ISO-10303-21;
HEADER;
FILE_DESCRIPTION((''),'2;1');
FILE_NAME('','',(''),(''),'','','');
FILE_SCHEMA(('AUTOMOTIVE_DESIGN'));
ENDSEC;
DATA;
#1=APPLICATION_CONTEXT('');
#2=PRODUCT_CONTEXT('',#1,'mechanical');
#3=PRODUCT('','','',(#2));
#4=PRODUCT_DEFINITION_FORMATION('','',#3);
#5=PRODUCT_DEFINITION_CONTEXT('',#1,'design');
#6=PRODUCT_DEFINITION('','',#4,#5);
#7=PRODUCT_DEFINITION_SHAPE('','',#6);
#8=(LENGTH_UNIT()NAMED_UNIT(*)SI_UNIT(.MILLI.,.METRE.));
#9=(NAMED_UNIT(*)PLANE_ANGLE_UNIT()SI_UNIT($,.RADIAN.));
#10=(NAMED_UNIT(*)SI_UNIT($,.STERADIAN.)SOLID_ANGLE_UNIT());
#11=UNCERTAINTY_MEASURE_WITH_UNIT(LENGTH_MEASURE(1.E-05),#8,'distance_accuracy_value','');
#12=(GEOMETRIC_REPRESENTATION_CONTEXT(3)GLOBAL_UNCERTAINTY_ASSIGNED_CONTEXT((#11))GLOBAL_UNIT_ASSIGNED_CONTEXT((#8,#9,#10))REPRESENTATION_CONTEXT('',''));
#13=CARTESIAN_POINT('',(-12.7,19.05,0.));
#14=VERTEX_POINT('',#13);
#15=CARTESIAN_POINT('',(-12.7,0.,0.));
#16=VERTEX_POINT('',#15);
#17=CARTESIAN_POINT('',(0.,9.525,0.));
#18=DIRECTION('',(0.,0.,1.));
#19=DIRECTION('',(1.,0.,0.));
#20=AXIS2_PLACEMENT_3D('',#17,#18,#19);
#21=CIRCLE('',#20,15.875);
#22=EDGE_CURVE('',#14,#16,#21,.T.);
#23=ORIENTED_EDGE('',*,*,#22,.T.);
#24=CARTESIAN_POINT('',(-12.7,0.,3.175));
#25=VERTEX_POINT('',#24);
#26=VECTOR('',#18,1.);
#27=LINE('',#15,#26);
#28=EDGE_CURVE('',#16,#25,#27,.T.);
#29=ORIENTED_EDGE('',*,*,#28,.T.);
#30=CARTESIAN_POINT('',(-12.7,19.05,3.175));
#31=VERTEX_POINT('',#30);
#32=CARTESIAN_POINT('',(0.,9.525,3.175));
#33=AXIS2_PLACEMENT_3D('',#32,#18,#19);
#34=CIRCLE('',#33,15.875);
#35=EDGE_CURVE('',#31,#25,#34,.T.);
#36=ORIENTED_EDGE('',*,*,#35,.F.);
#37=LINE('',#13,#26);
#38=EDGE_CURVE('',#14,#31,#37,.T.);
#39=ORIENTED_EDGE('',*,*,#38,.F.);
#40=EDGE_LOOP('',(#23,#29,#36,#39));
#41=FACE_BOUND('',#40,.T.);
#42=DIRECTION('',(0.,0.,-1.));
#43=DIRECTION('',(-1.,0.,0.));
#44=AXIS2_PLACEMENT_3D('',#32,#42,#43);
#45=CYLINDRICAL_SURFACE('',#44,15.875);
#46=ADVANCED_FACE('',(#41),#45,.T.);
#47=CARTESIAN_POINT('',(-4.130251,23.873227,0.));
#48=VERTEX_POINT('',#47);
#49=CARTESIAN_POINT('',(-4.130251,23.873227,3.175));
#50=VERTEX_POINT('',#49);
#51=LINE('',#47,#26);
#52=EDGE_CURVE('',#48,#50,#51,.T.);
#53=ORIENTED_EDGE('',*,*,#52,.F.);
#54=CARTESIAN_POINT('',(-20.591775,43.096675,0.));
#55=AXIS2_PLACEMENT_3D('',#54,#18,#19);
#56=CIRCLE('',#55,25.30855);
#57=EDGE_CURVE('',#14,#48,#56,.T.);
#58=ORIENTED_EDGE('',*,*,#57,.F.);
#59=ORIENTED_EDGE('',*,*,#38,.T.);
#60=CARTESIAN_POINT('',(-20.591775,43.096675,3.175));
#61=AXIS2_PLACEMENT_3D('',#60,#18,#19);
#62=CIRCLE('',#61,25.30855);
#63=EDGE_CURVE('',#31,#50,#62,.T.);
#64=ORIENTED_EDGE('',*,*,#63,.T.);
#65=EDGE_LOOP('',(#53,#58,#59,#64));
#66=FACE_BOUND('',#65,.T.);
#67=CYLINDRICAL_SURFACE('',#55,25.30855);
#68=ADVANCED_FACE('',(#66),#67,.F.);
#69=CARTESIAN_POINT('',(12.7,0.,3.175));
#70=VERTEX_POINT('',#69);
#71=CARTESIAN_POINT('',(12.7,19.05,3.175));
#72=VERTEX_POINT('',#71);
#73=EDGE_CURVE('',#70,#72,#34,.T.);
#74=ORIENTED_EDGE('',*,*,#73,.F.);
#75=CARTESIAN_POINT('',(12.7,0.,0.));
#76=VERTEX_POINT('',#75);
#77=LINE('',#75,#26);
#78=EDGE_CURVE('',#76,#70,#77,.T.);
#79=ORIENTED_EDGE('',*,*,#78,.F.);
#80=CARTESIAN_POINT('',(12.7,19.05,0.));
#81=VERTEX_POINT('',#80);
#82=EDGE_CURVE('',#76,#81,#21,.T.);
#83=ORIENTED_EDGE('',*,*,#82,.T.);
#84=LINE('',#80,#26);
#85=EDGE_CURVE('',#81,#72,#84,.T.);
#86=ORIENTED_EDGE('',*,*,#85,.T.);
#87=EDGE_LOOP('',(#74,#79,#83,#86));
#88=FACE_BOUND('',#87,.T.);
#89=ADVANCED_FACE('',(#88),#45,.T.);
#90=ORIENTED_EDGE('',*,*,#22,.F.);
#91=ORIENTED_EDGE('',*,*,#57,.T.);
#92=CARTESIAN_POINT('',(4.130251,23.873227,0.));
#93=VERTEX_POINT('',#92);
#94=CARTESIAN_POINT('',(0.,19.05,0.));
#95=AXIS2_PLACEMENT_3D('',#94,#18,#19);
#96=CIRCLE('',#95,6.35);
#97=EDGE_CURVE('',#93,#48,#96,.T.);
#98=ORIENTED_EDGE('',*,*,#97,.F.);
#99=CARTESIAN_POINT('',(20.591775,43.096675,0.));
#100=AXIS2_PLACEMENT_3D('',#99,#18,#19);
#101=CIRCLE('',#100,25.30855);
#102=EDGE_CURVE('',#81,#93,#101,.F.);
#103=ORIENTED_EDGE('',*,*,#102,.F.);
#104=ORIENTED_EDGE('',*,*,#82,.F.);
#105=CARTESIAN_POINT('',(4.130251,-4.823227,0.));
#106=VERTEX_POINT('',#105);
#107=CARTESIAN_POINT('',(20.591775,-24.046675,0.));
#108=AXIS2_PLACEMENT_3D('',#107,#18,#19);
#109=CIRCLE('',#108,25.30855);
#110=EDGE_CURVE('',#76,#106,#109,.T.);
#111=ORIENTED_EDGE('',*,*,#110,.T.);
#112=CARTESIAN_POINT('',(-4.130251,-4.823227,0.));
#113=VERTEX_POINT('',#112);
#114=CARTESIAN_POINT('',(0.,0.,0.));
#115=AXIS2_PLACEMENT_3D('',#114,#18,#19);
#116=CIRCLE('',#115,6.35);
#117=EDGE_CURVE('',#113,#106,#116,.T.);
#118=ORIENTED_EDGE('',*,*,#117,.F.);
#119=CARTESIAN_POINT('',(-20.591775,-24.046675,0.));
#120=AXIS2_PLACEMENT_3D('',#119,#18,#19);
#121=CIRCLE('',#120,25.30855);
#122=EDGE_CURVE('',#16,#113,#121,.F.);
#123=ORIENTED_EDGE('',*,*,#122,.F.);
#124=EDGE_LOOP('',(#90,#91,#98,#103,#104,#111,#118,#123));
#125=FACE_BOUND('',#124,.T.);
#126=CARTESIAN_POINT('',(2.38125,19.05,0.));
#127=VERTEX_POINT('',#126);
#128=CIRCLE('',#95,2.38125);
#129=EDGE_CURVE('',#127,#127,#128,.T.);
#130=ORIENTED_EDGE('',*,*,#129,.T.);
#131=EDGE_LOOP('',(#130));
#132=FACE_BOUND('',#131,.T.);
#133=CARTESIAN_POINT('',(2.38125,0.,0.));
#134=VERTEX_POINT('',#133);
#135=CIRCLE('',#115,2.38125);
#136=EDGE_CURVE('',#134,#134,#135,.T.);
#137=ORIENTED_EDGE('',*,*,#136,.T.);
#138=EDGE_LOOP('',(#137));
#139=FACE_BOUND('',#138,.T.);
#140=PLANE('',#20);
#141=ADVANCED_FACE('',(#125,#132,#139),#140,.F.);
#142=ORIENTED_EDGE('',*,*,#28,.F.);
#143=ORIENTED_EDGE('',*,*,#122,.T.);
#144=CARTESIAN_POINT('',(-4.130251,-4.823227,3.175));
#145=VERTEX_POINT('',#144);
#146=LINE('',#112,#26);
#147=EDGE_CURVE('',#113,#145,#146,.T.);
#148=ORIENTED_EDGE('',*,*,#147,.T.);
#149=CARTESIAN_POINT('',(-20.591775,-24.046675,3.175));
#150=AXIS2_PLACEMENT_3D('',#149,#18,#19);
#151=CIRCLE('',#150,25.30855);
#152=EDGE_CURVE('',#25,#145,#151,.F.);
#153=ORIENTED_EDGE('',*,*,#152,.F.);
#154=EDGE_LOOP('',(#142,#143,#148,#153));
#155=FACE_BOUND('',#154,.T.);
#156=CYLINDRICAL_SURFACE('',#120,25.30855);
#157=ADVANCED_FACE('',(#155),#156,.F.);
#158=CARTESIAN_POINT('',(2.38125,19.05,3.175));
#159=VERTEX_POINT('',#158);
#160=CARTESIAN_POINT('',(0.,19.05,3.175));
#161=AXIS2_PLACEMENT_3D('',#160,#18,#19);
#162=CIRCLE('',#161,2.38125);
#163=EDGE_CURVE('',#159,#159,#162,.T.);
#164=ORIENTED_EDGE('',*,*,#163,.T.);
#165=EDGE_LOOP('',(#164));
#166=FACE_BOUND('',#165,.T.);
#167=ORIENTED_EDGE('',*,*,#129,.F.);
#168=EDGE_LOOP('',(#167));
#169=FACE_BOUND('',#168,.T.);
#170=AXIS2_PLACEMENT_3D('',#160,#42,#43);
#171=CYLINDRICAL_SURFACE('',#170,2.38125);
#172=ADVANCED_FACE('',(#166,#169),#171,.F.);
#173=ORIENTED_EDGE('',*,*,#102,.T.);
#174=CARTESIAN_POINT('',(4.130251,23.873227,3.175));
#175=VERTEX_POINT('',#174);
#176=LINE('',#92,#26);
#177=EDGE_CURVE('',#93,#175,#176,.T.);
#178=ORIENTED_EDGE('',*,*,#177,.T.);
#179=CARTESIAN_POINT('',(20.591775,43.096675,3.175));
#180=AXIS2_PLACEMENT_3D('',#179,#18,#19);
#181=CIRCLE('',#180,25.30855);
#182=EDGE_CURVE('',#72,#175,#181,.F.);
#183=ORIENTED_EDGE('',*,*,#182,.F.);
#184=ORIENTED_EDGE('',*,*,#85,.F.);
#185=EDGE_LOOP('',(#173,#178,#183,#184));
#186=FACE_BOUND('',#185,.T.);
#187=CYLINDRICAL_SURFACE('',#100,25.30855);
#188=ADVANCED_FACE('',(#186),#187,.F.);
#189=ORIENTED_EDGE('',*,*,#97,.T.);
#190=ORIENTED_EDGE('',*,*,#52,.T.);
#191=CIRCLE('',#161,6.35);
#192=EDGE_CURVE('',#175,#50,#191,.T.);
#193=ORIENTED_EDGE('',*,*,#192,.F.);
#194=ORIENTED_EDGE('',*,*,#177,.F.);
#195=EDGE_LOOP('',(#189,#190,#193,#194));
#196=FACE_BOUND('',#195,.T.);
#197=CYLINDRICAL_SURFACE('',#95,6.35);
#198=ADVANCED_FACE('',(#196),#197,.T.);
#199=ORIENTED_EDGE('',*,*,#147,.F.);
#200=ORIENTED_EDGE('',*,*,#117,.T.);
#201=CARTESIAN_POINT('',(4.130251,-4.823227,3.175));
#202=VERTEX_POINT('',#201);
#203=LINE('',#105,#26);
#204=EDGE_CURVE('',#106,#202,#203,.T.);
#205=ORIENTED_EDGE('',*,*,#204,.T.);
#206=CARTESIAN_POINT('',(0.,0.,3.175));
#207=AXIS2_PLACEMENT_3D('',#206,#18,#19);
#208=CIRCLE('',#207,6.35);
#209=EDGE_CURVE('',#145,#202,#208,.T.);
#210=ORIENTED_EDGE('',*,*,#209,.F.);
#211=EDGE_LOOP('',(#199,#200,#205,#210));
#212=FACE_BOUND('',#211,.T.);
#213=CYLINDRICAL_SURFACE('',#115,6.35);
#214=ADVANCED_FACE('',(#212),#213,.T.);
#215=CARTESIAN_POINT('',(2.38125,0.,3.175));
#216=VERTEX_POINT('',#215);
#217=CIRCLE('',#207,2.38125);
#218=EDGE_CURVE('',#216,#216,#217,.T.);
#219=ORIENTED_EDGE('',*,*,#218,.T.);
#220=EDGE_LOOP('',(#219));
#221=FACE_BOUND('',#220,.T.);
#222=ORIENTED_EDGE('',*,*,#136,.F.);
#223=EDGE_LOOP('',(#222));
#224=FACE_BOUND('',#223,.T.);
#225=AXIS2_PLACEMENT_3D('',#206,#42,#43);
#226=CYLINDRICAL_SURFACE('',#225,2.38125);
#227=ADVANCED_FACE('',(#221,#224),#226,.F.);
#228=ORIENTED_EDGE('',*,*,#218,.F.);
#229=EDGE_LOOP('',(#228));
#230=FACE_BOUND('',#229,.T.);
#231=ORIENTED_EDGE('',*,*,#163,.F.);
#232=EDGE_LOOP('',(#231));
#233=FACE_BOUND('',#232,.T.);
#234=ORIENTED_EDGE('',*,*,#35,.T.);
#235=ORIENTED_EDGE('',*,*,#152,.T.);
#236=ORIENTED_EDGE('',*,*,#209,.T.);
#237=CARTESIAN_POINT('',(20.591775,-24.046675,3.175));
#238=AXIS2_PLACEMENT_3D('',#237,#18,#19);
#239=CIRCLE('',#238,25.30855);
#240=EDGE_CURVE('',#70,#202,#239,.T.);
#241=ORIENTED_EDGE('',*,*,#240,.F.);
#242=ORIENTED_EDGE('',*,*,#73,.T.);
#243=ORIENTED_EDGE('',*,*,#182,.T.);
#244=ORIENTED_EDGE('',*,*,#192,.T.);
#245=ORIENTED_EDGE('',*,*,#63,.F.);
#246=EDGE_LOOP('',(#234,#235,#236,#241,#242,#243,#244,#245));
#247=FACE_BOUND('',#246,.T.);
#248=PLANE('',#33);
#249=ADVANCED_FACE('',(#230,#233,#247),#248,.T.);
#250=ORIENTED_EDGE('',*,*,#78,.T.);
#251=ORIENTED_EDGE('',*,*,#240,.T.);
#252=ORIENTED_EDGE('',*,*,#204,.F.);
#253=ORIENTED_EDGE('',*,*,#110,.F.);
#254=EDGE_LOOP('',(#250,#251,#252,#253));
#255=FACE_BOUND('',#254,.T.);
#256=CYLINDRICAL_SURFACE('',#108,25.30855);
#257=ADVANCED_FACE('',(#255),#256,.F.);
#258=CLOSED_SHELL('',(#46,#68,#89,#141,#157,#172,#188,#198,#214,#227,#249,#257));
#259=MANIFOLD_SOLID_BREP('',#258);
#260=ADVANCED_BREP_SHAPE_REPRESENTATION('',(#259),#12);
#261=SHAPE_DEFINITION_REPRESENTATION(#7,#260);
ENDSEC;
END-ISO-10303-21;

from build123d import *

# Parameters (mm, degrees)
SKETCH1_R           = 15.875
SKETCH1_R_2         = 2.38125
BOSS_EXTRUDE2_DEPTH = 3.175
SKETCH2_R           = 26.68586127
SKETCH2_R_2         = 15.875
CUT_EXTRUDE1_DEPTH  = 31.120694713


with BuildPart() as part:
    # Sketch1 → Boss-Extrude2 (new body)
    with BuildSketch(Plane.XY):
        with Locations((0, 9.525)):
            Circle(SKETCH1_R)
        Circle(SKETCH1_R_2, mode=Mode.SUBTRACT)
        with Locations((0, 19.05)):
            Circle(SKETCH1_R_2, mode=Mode.SUBTRACT)
    extrude(amount=BOSS_EXTRUDE2_DEPTH)

    # Sketch2 → Cut-Extrude1 (cut, through all)
    # profile 1 of 5: a face of its own
    with BuildSketch(Plane.XY.offset(3.175)):
        with Locations((0, 9.525)):
            Circle(SKETCH2_R)
        with Locations((0, 9.525)):
            Circle(SKETCH2_R_2, mode=Mode.SUBTRACT)
    # profile 2 of 5: a face of its own
    with BuildSketch(Plane.XY.offset(3.175)):
        with BuildLine():
            ThreePointArc((-4.130251428, 23.873227461), (-2.201704524, 25.006089085), (0, 25.4))
            ThreePointArc((0, 25.4), (-7.099515829, 23.724031657), (-12.7, 19.05))
            ThreePointArc((-12.7, 19.05), (-8.178609866, 21.041380315), (-4.130251428, 23.873227461))
        make_face()
    # profile 3 of 5: a face of its own
    with BuildSketch(Plane.XY.offset(3.175)):
        with BuildLine():
            ThreePointArc((4.130251428, 23.873227461), (8.178609866, 21.041380315), (12.7, 19.05))
            ThreePointArc((12.7, 19.05), (7.099515829, 23.724031657), (0, 25.4))
            ThreePointArc((0, 25.4), (2.201704524, 25.006089085), (4.130251428, 23.873227461))
        make_face()
    # profile 4 of 5: a face of its own
    with BuildSketch(Plane.XY.offset(3.175)):
        with BuildLine():
            ThreePointArc((-3e-09, -6.35), (7.099515827, -4.674031658), (12.7, 0))
            ThreePointArc((12.7, 0), (8.178609866, -1.991380315), (4.130251428, -4.823227461))
            ThreePointArc((4.130251428, -4.823227461), (2.201704523, -5.956089085), (-3e-09, -6.35))
        make_face()
    # profile 5 of 5: a face of its own
    with BuildSketch(Plane.XY.offset(3.175)):
        with BuildLine():
            ThreePointArc((-12.7, 0), (-7.09951583, -4.674031657), (-3e-09, -6.35))
            ThreePointArc((-3e-09, -6.35), (-2.201704525, -5.956089084), (-4.130251428, -4.823227461))
            ThreePointArc((-4.130251428, -4.823227461), (-8.178609866, -1.991380315), (-12.7, 0))
        make_face()
    extrude(amount=-CUT_EXTRUDE1_DEPTH, mode=Mode.SUBTRACT)


solid = part.part
